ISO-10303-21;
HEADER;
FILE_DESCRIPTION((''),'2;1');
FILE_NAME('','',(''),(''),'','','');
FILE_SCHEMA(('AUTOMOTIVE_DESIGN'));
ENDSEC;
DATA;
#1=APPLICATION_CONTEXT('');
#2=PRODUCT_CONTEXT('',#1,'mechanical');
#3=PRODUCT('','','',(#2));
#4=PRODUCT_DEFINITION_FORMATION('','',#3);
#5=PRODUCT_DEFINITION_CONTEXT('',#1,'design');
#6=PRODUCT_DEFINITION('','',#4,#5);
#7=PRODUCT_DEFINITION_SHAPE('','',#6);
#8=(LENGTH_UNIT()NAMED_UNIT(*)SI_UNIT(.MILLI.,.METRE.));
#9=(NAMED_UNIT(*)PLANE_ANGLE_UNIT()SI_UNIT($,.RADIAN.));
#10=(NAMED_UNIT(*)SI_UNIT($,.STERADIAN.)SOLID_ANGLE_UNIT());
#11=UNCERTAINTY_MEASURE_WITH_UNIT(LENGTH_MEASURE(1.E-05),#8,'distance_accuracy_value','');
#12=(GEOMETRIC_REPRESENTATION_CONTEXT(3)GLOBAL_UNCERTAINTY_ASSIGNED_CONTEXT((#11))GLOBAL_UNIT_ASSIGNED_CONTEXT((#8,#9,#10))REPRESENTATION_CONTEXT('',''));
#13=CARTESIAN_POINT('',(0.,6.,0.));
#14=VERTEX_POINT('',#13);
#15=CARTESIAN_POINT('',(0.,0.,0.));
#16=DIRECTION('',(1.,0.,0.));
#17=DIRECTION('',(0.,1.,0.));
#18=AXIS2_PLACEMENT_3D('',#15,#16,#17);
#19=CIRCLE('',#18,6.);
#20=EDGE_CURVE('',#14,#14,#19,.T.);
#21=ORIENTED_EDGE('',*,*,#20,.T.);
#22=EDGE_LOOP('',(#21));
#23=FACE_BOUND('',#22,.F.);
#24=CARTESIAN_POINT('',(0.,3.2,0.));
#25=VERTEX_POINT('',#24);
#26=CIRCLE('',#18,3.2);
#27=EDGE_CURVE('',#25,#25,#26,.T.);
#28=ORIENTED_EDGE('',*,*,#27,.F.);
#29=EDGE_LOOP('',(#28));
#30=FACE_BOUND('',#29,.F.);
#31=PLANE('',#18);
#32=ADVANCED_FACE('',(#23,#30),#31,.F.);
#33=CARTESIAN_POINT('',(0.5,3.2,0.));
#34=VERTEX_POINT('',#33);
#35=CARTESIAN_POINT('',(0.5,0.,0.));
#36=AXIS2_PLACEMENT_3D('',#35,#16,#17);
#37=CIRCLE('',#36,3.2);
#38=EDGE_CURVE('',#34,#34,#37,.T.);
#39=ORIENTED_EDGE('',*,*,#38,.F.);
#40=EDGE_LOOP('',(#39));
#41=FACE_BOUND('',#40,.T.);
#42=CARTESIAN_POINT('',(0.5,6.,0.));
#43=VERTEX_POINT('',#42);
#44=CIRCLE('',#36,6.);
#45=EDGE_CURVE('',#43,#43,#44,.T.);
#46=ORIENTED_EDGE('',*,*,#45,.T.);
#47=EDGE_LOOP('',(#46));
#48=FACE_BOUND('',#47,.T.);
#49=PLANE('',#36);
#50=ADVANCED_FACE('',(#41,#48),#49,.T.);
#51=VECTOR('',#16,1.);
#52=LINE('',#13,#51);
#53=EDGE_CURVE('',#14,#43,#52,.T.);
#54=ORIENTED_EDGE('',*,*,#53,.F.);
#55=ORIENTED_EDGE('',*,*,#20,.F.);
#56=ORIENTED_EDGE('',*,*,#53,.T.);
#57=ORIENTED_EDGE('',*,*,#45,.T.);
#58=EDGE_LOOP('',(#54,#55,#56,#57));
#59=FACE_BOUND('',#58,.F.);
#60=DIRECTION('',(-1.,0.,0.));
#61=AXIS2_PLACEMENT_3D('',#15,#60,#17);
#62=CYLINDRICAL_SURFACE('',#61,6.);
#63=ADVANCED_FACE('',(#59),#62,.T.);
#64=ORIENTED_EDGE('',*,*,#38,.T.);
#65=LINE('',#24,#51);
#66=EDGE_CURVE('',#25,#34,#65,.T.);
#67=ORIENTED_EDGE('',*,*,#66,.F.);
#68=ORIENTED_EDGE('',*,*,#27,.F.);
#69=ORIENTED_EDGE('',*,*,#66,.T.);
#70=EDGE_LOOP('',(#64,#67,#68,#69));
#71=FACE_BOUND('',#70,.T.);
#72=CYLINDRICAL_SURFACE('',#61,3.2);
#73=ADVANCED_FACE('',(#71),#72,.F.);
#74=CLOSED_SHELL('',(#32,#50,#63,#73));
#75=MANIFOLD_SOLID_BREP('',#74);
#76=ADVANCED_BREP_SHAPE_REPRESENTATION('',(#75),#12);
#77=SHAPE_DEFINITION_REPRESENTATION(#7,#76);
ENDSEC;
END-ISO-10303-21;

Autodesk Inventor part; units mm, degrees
ref_plane "YZ Plane" through (0, 0, 0) normal (1, 0, 0) x (0, 1, 0)
ref_plane "XZ Plane" through (0, 0, 0) normal (0, 1, 0) x (-1, 0, 0)
sketch "Sketch" plane through (0, 0, 0) normal (1, 0, 0) x (0, 1, 0)
  circle A0 centre (0, 0) radius 6
  circle A1 centre (0, 0) radius 3.2
  dimension "d0" = 6.4
  dimension "d1" = 12
extrude "Body" add sketch "Sketch" along normal blind 0.5
ref_plane "Work Plane1" through (0, 0, 0) normal (0, 0, 1) x (1, 0, 0)
equation "\"d0\" = SD1"
equation "\"d1\" = SD2"
equation "\"d2\" = SD"
equation "\"SD1\" = 6.4"
equation "\"SD2\" = 12"
equation "\"SD\" = 0.5"
equation "\"SDH\" = 2.6"
equation "\"NND\" = 6"
properties part number "DIN 137 - B6" material "Steel"
